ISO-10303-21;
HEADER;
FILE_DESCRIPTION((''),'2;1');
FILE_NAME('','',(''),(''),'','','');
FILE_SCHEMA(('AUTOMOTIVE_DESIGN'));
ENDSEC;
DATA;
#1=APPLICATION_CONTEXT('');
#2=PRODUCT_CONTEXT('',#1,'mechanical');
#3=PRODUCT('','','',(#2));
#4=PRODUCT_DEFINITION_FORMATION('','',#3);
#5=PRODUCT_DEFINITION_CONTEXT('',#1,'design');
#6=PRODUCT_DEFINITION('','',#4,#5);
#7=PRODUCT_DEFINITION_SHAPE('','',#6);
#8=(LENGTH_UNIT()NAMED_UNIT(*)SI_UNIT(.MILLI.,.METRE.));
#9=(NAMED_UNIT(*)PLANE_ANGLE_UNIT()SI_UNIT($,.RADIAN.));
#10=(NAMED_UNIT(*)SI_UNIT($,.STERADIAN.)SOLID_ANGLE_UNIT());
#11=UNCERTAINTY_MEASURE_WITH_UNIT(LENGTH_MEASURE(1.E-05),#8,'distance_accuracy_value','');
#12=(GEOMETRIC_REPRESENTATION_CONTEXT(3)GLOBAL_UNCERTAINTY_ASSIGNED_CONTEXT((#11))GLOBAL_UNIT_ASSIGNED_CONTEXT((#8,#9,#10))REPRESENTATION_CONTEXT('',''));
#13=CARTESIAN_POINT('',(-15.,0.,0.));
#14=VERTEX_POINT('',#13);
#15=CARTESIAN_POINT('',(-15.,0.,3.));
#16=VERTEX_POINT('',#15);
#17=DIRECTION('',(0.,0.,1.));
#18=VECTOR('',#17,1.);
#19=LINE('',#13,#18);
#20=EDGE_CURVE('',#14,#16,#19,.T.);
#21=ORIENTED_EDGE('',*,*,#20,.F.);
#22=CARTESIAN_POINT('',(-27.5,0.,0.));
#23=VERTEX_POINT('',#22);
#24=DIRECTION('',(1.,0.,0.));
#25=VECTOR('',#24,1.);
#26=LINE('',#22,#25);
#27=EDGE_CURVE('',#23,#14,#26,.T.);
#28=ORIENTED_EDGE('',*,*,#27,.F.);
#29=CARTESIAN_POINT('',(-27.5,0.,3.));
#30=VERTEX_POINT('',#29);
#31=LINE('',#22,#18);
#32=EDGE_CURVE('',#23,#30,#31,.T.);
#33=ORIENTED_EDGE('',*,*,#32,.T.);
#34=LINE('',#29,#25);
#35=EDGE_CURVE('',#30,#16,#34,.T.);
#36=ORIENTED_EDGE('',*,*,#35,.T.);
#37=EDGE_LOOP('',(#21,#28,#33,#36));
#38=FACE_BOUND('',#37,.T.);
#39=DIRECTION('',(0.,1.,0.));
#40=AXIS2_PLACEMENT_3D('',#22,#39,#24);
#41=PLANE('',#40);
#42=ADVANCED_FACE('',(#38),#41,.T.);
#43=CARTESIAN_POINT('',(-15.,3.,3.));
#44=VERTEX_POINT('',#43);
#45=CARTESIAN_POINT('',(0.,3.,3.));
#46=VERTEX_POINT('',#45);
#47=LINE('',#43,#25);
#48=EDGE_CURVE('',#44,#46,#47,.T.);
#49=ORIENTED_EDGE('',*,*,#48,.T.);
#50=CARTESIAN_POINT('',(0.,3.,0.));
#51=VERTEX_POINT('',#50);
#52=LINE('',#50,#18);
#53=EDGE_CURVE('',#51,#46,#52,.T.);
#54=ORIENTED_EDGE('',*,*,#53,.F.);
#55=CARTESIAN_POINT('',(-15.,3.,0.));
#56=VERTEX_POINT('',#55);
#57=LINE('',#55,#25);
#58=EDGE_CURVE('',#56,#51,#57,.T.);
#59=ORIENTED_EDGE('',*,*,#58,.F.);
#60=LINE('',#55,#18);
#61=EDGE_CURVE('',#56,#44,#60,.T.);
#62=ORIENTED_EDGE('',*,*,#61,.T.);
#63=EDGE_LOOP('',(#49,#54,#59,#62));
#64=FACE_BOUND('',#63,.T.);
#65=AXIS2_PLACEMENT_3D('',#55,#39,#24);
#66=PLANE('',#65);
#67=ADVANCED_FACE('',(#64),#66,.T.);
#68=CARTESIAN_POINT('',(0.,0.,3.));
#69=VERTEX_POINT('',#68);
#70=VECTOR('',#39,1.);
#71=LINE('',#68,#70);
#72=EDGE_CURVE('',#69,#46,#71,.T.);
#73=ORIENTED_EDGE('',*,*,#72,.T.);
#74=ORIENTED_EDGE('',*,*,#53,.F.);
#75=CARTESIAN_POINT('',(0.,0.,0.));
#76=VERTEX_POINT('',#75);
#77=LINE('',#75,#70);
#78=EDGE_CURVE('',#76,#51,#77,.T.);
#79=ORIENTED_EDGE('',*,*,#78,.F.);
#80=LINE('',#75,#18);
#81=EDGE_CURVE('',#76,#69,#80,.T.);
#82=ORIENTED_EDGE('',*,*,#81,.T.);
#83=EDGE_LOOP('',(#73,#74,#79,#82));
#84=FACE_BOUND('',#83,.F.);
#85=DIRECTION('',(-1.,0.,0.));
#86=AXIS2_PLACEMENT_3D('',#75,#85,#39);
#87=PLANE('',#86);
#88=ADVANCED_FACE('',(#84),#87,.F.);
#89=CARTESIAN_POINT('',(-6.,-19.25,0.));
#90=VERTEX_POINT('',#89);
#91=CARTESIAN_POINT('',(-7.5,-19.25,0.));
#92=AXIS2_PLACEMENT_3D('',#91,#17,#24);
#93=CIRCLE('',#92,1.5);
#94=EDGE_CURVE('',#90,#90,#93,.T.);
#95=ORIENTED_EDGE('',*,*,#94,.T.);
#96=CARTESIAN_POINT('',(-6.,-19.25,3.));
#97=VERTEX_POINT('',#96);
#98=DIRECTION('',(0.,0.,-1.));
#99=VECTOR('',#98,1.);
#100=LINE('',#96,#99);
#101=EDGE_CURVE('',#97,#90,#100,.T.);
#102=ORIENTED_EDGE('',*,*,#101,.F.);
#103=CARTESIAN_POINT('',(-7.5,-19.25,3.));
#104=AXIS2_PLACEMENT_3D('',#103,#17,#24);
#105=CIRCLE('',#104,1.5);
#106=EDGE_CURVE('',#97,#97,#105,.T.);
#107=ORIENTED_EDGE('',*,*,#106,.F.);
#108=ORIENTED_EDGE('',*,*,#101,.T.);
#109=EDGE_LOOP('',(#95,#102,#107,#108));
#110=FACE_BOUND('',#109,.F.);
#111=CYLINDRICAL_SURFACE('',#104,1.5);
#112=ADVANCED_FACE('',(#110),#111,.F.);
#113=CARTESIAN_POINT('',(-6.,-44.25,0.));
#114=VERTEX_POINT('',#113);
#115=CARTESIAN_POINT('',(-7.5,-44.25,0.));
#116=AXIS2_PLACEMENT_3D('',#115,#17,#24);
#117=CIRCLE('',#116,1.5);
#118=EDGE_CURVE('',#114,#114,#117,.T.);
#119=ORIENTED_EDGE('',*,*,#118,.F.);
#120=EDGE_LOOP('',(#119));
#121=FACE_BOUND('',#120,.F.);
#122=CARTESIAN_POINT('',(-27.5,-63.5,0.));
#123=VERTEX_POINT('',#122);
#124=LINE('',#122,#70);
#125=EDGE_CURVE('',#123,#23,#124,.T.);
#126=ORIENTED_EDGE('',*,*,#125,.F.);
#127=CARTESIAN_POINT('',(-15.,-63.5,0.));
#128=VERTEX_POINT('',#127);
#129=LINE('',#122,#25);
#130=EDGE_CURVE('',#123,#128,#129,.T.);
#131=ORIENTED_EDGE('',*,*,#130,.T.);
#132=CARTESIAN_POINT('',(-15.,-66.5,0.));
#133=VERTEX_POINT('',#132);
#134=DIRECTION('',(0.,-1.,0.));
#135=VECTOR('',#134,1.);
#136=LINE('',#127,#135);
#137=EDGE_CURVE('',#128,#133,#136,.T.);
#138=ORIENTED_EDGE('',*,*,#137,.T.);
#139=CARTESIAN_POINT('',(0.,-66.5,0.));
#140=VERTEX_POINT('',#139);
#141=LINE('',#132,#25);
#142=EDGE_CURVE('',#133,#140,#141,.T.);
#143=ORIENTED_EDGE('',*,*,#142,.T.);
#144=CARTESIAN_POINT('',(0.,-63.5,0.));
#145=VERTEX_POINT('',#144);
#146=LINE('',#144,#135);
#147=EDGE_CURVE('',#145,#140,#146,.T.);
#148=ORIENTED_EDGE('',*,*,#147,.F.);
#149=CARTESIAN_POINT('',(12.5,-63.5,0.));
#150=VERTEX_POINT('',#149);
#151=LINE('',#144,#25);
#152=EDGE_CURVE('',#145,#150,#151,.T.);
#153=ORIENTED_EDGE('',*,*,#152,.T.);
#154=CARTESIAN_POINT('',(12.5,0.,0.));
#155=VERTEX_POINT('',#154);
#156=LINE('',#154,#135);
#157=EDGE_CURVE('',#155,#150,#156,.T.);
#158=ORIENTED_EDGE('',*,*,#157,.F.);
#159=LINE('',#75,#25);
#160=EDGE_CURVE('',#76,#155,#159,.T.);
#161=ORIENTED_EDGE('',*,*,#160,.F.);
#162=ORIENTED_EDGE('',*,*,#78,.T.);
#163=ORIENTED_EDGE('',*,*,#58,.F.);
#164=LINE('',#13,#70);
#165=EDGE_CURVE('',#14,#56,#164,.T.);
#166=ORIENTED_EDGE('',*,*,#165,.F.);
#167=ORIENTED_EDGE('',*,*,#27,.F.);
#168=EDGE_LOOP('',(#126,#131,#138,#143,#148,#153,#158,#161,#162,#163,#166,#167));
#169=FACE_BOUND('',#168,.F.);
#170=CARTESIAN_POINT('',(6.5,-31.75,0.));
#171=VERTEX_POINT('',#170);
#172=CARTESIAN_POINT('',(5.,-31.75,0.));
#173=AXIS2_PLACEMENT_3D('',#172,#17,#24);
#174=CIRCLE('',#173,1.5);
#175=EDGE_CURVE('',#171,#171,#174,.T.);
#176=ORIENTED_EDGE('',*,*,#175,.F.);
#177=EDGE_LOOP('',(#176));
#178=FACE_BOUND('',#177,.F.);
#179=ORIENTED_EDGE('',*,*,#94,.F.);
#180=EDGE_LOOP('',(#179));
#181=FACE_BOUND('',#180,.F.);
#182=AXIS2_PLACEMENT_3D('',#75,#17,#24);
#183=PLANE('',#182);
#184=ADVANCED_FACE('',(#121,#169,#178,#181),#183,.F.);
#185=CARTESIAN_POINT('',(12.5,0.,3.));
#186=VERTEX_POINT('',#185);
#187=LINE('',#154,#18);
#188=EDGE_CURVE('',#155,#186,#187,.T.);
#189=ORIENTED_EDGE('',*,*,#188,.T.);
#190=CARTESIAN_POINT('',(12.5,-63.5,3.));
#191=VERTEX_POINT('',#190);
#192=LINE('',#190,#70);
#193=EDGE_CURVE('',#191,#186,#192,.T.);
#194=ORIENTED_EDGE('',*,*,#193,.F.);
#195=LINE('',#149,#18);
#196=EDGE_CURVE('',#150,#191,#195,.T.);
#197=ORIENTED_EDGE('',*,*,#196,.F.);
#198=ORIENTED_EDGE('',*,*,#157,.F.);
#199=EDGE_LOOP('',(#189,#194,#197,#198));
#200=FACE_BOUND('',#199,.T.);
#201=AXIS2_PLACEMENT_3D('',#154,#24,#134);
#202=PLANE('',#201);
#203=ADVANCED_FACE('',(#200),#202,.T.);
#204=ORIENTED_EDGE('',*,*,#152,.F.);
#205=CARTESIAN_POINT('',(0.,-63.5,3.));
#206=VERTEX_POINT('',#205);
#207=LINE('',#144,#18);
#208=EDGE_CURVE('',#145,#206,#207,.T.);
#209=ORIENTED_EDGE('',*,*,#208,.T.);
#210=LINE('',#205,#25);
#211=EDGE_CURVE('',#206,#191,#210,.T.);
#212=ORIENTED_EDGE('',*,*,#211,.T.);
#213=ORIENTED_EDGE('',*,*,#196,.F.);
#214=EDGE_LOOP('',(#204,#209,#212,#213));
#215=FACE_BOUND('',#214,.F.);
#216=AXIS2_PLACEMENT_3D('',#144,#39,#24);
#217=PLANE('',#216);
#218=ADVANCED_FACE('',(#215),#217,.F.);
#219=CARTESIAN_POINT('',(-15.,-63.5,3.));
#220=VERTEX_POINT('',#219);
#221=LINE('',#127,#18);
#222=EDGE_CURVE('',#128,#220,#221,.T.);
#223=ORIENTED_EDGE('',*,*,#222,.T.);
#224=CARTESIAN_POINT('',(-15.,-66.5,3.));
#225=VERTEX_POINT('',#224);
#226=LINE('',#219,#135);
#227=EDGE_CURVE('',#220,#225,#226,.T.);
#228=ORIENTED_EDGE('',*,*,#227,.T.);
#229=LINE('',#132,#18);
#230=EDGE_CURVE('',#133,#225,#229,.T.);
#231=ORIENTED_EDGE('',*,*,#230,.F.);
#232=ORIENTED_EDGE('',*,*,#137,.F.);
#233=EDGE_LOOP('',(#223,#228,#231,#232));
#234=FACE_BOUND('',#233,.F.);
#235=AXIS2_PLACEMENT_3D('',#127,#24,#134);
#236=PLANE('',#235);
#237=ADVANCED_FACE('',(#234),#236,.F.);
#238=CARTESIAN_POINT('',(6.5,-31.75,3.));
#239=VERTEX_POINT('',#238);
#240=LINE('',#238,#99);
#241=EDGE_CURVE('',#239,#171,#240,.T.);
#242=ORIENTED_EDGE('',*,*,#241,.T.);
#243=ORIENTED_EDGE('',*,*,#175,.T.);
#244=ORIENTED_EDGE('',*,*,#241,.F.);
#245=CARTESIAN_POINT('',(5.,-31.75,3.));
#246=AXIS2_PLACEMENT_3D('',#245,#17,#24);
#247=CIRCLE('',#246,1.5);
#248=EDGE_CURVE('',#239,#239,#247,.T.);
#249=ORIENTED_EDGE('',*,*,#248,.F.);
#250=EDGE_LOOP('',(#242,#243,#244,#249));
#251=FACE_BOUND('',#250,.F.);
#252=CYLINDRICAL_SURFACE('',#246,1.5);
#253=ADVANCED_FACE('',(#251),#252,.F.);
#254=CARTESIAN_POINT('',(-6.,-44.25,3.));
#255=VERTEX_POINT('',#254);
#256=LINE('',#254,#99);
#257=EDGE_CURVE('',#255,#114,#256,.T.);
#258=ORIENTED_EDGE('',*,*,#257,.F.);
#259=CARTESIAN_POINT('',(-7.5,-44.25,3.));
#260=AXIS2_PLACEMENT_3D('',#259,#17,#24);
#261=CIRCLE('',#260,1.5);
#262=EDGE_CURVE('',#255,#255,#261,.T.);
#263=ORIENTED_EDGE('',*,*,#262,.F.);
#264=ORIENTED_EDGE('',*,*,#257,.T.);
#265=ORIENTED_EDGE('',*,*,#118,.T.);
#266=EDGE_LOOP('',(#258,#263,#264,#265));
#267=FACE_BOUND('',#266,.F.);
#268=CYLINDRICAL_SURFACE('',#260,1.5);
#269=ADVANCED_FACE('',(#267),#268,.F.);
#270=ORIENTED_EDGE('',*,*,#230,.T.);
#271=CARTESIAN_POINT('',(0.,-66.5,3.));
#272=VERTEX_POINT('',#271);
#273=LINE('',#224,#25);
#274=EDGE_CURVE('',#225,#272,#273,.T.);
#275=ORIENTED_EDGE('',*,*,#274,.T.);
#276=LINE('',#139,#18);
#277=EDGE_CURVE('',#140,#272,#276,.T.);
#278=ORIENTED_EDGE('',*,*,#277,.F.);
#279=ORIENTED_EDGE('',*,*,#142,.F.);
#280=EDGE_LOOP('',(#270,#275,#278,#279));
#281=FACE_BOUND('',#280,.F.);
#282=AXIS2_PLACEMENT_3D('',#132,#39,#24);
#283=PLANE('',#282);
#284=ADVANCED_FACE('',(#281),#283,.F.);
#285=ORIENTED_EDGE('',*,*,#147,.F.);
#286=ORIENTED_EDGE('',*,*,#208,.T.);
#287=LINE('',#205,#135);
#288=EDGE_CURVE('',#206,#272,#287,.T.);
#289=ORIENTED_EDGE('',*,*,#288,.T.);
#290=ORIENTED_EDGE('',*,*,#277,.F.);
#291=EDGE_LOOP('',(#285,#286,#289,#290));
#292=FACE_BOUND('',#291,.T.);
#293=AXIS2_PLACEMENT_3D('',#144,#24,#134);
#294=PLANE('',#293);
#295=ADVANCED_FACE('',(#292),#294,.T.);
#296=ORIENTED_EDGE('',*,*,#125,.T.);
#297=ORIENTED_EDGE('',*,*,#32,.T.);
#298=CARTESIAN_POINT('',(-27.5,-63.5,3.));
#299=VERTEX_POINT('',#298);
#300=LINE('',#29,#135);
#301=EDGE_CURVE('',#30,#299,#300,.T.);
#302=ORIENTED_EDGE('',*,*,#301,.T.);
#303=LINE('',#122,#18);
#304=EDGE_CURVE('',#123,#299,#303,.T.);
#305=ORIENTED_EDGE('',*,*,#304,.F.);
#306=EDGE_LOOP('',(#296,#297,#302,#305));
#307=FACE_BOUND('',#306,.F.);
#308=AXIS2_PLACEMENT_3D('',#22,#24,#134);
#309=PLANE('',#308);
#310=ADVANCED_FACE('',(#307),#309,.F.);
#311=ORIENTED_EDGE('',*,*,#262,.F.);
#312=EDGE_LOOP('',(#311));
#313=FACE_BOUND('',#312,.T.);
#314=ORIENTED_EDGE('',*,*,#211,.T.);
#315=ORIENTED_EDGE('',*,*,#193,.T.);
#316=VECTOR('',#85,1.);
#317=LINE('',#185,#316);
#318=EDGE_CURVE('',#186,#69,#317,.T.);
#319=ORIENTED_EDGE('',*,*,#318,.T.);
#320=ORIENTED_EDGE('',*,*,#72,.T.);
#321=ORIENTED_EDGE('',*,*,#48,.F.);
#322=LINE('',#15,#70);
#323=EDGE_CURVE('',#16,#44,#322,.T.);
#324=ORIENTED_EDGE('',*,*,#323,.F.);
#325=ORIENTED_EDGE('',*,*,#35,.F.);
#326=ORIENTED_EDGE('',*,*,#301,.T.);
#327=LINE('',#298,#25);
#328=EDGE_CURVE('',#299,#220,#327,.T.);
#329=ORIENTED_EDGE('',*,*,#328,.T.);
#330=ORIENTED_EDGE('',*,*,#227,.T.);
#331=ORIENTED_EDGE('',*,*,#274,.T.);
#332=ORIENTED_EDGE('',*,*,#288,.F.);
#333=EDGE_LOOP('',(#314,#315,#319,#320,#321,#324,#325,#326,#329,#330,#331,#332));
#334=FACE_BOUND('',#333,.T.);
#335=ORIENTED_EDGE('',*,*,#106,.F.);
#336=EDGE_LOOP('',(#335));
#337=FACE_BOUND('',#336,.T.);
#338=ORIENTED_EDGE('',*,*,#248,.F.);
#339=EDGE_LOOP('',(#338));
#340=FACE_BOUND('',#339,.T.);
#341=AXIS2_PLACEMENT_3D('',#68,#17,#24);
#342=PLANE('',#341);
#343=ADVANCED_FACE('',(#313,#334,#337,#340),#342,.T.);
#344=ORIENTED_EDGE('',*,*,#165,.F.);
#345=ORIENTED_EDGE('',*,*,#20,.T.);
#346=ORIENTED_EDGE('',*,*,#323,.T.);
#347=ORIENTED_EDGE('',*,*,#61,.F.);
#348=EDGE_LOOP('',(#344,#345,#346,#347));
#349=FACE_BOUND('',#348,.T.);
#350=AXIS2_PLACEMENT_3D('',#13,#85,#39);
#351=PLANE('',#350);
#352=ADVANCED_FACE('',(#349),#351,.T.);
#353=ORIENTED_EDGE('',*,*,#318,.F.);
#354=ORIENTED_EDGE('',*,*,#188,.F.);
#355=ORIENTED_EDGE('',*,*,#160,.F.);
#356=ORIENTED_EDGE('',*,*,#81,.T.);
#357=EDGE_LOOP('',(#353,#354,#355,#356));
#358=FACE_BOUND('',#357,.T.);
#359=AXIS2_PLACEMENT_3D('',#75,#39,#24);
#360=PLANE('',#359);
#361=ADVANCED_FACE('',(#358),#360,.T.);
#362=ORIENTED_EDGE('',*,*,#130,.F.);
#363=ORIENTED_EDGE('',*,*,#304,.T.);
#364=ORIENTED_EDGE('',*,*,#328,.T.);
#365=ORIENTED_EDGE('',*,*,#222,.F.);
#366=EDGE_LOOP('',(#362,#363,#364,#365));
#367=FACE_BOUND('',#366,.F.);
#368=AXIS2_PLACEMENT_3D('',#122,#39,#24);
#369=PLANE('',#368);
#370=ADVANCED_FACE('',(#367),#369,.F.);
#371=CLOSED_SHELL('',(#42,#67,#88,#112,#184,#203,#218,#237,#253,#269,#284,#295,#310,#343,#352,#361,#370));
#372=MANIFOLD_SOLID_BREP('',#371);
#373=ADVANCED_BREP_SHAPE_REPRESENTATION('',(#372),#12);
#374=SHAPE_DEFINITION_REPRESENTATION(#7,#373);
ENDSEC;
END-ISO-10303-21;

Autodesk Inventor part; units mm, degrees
ref_plane "YZ Plane" through (0, 0, 0) normal (1, 0, 0) x (0, 1, 0)
ref_plane "XZ Plane" through (0, 0, 0) normal (0, 1, 0) x (-1, 0, 0)
ref_plane "XY Plane" through (0, 0, 0) normal (0, 0, 1) x (1, 0, 0)
sketch "Sketch1" plane through (0, 0, 0) normal (0, 0, 1) x (1, 0, 0)
  line L0 (0, 0) -> (-15, 0) construction
  line L1 (0, 0) -> (0, 3)
  line L2 (-15, 3) -> (0, 3)
  line L3 (-15, 0) -> (-15, 3)
  line L4 (-27.5, 0) -> (-7.5, 0)
  line L5 (6.5, 0) -> (12.5, 0)
  line L6 (6.5, 0) -> (3.5, 0)
  line L7 (-7.5, 0) -> (3.5, 0)
  line L8 (3.5, 8.25) -> (6.5, 8.25) construction
  line L9 (3.5, -71.75) -> (6.5, -71.75) construction
  line L10 (5, 8.25) -> (5, -71.75) construction
  line L11 (-27.5, 0) -> (-27.5, -31.75)
  line L12 (12.5, 0) -> (12.5, -31.75)
  line L13 (-27.5, -31.75) -> (12.5, -31.75) construction
  line L14 (-27.5, 0) -> (-15, 0)
  line L15 (-15, 0) -> (-15, 3)
  line L16 (-15, 3) -> (0, 3)
  line L17 (0, 3) -> (0, 0)
  line L18 (0, 0) -> (12.5, 0)
  line L19 (0, -63.5) -> (0, -66.5)
  line L20 (-15, -66.5) -> (0, -66.5)
  line L21 (-15, -63.5) -> (-15, -66.5)
  line L22 (-27.5, -63.5) -> (-27.5, -31.75)
  line L23 (12.5, -63.5) -> (12.5, -31.75)
  line L24 (-27.5, -63.5) -> (-15, -63.5)
  line L25 (0, -63.5) -> (12.5, -63.5)
  line L26 (0, 0) -> (-15, 0)
extrude "Extrusion1" add sketch "Sketch1" along normal blind 3
sketch "Sketch2" plane through (0, 0, 3) normal (0, 0, 1) x (1, 0, 0)
  line L0 (0, 0) -> (0, 3) projected
  line L1 (0, 3) -> (-15, 3) projected
  line L2 (-15, 3) -> (-15, 0) projected
  line L3 (-15, 0) -> (-27.5, 0) projected
  line L4 (-27.5, 0) -> (-27.5, -63.5) projected
  line L5 (-27.5, -63.5) -> (-15, -63.5) projected
  line L6 (-15, -63.5) -> (-15, -66.5) projected
  line L7 (-15, -66.5) -> (0, -66.5) projected
  line L8 (0, -66.5) -> (0, -63.5) projected
  line L9 (0, -63.5) -> (12.5, -63.5) projected
  line L10 (12.5, -63.5) -> (12.5, 0) projected
  line L11 (12.5, 0) -> (0, 0) projected
  line L12 (0, 3) -> (-15, 3) construction
  line L13 (-7.5, 3) -> (-7.5, -66.5) construction
  line L14 (-15, -66.5) -> (0, -66.5) construction
  line L15 (12.5, -63.5) -> (12.5, 0) construction
  line L16 (12.5, -31.75) -> (-27.5, -31.75) construction
  line L17 (-27.5, 0) -> (-27.5, -63.5) construction
  circle A0 centre (-7.5, -19.25) radius 1.5
  circle A1 centre (5, -31.75) radius 1.5
  circle A2 centre (-7.5, -44.25) radius 1.5
  dimension "d5" = 3
  dimension "d6" = 3
  dimension "d7" = 12.5
  dimension "d8" = 12.5
extrude "Extrusion2" cut sketch "Sketch2" against normal blind 3 contours A0 | A1 | A2
properties part number "Camera cross bar"
